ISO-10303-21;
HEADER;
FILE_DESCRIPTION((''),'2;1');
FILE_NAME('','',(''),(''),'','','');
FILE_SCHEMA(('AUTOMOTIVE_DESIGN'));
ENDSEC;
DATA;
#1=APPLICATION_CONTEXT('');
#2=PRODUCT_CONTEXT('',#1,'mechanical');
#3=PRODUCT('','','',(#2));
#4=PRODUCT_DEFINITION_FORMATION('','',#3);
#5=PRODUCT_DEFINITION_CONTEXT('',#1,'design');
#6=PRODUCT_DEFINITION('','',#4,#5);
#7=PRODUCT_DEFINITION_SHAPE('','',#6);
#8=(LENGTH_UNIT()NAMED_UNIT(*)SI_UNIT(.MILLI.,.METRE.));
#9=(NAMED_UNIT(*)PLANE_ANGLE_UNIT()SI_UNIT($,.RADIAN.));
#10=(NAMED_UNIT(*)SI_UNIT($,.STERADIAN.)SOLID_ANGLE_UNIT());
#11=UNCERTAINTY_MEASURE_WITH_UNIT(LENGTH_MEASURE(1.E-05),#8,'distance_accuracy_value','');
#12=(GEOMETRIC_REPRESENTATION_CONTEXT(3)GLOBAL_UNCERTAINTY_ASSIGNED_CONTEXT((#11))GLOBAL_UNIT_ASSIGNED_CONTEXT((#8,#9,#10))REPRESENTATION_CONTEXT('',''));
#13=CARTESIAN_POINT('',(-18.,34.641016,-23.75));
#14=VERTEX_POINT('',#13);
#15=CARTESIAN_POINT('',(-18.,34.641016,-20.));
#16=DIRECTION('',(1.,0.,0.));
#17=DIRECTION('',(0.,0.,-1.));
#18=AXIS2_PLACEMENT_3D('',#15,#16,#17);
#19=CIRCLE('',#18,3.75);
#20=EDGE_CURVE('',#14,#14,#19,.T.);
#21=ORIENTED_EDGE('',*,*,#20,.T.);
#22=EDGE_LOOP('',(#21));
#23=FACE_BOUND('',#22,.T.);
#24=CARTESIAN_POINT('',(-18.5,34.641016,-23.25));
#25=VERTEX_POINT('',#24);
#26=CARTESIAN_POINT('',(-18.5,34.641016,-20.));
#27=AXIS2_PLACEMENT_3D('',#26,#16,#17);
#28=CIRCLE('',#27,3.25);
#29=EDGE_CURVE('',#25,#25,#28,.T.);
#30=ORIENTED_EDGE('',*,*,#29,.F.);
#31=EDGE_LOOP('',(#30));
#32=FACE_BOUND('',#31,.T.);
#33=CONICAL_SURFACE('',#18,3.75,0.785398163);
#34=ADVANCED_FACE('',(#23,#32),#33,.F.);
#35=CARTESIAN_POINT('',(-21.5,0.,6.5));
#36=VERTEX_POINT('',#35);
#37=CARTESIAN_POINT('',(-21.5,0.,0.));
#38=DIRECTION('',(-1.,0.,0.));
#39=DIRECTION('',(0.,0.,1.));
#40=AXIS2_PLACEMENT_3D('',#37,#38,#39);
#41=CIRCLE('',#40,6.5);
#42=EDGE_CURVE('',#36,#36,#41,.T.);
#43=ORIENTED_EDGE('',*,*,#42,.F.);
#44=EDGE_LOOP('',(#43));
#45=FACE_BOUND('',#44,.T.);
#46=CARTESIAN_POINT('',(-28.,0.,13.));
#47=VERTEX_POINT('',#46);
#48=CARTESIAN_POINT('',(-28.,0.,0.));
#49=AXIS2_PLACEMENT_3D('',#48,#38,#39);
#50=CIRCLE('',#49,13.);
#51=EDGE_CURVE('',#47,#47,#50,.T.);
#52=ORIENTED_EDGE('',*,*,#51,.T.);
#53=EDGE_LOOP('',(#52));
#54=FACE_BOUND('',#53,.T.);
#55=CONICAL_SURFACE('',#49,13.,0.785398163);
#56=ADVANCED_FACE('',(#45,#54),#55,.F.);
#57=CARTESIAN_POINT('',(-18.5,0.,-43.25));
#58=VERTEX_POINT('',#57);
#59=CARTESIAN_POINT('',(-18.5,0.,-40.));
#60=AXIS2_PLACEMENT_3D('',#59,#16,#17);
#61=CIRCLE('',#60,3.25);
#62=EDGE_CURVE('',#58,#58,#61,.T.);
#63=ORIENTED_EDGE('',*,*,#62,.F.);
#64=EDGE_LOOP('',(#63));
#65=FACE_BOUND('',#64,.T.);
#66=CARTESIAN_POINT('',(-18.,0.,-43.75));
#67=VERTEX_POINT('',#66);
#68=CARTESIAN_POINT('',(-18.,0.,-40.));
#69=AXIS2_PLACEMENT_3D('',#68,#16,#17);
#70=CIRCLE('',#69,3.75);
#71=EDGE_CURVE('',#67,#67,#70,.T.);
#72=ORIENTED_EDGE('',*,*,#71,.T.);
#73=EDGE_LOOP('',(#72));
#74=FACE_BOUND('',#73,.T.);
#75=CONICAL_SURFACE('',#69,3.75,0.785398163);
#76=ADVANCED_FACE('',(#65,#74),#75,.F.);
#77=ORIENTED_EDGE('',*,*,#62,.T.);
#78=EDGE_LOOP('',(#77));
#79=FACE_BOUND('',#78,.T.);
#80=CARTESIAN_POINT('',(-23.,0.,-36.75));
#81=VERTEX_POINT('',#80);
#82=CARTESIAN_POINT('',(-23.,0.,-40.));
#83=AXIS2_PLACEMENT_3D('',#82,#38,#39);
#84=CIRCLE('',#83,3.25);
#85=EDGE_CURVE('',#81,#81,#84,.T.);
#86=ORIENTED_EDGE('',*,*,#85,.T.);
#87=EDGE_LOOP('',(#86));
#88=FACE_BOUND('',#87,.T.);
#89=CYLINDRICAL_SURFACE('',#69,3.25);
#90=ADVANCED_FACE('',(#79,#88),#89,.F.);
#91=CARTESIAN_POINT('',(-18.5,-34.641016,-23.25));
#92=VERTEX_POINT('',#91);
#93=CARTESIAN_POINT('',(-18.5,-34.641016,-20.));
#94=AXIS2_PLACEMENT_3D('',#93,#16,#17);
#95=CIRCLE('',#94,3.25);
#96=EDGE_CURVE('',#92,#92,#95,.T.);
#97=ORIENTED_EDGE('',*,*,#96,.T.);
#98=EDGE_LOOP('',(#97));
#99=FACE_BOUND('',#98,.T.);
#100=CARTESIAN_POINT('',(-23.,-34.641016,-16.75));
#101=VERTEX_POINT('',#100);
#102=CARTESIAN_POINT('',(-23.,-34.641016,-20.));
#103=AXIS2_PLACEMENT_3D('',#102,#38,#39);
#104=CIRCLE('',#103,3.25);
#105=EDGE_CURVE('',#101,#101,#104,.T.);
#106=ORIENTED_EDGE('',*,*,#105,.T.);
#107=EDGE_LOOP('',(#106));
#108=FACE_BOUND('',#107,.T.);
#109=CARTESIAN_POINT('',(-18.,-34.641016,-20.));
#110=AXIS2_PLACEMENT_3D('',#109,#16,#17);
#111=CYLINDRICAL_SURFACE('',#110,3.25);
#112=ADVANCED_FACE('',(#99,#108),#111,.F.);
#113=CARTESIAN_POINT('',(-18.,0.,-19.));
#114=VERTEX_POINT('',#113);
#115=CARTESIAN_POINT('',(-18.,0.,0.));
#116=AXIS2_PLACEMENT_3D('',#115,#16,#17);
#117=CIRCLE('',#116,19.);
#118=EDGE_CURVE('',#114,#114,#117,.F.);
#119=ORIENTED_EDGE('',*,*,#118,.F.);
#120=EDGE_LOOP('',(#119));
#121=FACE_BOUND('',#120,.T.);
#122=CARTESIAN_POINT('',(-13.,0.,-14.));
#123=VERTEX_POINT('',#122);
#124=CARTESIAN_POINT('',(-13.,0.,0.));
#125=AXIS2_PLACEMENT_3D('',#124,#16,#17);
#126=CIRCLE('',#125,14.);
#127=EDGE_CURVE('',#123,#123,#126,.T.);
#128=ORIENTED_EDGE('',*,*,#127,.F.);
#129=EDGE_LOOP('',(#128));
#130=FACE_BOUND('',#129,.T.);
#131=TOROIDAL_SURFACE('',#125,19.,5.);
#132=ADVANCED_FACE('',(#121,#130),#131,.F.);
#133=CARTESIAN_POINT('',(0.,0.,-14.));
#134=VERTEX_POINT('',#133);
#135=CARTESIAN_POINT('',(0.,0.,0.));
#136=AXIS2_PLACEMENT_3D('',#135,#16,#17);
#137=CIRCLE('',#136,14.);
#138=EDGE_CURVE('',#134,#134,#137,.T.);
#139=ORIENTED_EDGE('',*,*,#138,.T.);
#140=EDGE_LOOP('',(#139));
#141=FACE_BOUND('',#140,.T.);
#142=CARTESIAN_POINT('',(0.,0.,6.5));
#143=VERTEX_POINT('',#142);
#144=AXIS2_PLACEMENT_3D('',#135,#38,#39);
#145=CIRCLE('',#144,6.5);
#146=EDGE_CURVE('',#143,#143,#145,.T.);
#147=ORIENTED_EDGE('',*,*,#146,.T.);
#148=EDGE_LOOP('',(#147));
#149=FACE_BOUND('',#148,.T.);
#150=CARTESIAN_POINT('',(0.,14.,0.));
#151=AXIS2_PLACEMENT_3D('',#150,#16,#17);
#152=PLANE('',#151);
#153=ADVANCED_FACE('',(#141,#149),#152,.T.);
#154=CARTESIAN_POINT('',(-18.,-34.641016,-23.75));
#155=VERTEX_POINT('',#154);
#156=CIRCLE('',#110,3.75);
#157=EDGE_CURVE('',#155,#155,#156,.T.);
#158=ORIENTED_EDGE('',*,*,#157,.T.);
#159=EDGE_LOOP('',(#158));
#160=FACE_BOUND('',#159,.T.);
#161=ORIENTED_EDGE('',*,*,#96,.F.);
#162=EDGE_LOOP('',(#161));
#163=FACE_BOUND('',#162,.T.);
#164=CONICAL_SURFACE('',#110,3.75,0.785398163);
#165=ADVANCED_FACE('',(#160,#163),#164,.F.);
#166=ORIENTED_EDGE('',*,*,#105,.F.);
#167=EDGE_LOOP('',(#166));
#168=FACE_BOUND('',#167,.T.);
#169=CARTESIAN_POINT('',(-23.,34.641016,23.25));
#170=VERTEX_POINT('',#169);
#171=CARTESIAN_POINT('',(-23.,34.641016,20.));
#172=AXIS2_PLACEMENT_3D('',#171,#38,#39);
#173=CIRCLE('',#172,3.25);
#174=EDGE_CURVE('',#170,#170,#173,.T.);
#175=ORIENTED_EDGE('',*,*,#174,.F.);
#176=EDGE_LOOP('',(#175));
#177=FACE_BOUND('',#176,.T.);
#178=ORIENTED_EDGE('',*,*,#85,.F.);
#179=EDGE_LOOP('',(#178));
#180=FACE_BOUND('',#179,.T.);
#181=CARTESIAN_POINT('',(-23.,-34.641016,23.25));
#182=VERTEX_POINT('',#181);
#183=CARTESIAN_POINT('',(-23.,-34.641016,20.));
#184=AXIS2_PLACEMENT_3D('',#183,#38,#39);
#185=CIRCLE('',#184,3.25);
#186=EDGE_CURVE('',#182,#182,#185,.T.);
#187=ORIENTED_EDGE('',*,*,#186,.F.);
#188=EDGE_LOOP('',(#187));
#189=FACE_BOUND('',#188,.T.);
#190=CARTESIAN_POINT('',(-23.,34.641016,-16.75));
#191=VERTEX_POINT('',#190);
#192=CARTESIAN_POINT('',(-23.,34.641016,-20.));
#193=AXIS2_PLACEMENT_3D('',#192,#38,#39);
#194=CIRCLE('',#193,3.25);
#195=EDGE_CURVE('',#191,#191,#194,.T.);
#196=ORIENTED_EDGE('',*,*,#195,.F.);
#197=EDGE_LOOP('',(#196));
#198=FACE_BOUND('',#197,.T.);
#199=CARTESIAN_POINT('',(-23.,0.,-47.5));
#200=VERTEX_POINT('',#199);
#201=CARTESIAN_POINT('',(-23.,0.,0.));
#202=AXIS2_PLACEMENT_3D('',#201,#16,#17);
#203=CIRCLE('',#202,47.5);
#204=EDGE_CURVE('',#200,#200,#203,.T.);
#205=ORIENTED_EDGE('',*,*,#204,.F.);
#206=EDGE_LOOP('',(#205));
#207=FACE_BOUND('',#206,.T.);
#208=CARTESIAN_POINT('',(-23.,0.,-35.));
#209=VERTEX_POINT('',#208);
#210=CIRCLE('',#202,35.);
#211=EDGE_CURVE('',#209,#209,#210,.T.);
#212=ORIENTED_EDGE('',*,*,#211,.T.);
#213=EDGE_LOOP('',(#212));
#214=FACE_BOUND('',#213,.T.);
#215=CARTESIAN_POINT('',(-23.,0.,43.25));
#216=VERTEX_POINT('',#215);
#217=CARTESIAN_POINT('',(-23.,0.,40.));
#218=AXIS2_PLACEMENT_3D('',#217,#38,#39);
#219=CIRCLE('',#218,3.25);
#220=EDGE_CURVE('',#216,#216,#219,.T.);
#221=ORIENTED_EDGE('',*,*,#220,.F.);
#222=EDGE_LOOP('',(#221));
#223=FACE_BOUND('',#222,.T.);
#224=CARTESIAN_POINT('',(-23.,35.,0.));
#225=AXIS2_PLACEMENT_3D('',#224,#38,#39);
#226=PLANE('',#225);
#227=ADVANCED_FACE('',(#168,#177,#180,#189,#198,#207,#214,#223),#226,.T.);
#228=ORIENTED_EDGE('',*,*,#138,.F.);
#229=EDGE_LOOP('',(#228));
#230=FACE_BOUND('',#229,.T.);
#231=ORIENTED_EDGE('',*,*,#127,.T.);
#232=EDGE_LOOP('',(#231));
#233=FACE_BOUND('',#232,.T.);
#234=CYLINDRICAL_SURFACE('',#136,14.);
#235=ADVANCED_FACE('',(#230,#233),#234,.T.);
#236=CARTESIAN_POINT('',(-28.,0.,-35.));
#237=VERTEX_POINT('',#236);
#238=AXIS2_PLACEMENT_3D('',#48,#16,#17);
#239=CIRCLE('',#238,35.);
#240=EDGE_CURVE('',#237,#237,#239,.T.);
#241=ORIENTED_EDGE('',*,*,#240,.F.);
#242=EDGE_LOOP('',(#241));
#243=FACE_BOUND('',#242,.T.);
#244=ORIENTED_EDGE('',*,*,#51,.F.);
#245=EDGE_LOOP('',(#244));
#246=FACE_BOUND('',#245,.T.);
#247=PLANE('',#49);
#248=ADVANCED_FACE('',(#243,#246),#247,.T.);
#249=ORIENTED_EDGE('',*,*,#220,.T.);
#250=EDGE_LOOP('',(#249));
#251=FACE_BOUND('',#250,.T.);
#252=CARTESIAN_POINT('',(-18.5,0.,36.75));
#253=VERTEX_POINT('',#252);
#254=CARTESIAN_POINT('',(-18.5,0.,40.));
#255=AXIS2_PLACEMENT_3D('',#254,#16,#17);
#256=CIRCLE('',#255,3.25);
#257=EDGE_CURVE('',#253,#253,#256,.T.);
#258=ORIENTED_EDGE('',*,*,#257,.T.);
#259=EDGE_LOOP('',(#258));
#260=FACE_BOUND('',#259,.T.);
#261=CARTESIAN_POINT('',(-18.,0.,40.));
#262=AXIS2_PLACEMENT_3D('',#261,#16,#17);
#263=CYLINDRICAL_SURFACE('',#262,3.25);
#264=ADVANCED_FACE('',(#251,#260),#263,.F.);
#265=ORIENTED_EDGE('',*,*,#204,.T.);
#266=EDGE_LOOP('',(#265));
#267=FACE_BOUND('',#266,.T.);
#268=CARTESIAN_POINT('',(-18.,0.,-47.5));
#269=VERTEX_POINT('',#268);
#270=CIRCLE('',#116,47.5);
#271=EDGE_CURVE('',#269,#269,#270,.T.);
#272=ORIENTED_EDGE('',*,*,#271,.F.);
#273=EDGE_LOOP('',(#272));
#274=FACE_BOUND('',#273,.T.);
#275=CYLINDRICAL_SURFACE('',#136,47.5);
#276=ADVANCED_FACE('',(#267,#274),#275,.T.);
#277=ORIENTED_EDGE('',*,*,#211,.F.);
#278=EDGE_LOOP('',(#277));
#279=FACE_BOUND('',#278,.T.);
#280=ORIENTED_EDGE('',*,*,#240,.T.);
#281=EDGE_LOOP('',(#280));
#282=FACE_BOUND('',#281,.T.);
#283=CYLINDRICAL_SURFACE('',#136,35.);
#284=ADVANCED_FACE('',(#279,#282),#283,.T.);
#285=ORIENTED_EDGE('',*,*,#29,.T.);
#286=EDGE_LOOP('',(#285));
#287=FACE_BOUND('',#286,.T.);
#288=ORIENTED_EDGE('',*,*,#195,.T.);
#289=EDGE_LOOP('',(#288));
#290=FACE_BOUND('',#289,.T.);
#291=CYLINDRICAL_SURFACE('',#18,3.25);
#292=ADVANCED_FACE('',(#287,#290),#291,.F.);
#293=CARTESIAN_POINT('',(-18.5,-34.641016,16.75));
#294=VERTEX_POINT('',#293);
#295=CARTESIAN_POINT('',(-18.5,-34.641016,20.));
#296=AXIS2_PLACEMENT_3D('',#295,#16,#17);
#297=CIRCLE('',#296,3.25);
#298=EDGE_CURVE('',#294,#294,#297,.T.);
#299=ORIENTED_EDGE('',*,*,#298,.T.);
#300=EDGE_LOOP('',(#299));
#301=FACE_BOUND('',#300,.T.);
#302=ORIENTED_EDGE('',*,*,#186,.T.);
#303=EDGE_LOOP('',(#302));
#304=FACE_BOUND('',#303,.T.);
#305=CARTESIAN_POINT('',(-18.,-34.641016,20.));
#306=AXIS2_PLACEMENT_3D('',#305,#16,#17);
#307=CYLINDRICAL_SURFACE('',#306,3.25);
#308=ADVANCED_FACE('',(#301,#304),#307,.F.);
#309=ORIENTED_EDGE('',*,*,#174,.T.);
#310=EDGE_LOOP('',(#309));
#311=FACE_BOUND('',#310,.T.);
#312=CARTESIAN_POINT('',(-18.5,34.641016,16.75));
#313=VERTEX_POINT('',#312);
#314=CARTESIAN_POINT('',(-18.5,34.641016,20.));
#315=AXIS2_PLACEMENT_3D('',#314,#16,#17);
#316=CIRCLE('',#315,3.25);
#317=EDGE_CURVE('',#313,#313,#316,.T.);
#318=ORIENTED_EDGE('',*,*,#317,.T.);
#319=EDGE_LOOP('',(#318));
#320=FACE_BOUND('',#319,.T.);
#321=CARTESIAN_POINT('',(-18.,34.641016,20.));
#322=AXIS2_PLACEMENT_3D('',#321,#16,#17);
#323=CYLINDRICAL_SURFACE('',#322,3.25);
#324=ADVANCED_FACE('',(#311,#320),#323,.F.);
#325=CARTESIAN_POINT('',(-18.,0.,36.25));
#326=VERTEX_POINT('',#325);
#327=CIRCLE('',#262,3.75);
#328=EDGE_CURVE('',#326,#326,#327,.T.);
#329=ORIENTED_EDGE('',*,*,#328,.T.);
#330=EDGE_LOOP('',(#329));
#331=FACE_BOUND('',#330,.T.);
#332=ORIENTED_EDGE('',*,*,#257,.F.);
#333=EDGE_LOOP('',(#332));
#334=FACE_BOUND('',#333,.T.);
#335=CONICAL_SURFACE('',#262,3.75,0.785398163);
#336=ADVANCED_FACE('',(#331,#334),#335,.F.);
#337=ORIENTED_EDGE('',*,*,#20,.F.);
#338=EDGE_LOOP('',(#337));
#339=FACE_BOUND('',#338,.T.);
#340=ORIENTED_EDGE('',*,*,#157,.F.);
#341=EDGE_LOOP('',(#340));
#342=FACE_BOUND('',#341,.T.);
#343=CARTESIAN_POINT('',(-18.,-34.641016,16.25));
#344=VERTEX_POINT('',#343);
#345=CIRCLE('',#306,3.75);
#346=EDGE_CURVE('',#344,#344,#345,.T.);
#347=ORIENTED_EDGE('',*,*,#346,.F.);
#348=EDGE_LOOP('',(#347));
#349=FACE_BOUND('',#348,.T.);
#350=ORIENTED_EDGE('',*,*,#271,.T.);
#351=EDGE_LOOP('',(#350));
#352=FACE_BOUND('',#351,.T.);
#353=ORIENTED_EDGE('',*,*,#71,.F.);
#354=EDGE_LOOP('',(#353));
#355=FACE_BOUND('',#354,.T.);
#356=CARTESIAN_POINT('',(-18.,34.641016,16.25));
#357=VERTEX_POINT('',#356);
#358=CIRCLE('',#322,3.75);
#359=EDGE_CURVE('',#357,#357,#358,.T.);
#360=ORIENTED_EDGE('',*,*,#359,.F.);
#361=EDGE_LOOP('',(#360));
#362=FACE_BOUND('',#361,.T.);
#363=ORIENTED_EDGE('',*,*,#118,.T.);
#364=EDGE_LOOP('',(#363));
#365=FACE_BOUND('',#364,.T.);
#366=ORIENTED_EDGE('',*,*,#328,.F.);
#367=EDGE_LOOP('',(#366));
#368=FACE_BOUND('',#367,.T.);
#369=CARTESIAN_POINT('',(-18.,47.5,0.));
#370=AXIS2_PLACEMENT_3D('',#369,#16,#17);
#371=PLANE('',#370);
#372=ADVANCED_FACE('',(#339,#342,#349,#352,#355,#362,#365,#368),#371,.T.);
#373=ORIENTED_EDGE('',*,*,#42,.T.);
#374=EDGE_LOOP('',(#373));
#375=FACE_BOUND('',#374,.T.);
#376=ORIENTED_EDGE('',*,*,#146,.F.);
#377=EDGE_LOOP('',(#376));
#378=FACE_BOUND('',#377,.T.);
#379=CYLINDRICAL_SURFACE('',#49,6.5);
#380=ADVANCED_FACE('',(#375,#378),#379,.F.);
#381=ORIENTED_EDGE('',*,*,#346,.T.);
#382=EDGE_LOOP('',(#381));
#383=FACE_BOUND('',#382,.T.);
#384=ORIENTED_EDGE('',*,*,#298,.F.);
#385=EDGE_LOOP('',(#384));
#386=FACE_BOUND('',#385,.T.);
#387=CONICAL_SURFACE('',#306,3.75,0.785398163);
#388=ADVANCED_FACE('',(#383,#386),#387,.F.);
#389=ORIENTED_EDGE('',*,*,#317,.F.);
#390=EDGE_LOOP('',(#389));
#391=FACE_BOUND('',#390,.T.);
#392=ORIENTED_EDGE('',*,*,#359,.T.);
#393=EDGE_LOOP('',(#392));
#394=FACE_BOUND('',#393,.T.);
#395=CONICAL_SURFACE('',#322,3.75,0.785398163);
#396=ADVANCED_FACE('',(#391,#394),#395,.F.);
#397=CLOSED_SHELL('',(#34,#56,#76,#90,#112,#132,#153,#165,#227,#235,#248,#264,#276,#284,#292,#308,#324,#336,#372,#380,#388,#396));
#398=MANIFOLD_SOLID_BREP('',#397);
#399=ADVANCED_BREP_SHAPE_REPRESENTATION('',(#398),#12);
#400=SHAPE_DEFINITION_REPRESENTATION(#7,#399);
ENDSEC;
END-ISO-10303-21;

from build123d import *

# Parameters (mm, degrees)
FILLET1_R                                            = 5
CSK_FOR_M12_HEX_SOCKET_COUNTERSUNK_CAP_S_D           = 13
CSK_FOR_M12_HEX_SOCKET_COUNTERSUNK_CAP_S_CSINK_D     = 26
CSK_FOR_M12_HEX_SOCKET_COUNTERSUNK_CAP_S_CSINK_ANGLE = 90
CSK_FOR_M6_HEX_SOCKET_COUNTERSUNK_CAP_SC_D           = 6.5
CSK_FOR_M6_HEX_SOCKET_COUNTERSUNK_CAP_SC_CSINK_D     = 7.5
CSK_FOR_M6_HEX_SOCKET_COUNTERSUNK_CAP_SC_CSINK_ANGLE = 90
CIRPATTERN1_COUNT                                    = 6


with BuildPart() as part:
    # Sketch1 → Revolve1 (revolve)
    with BuildSketch(Plane.XY, mode=Mode.PRIVATE) as revolve1_sk:
        Polygon((0, 0), (-28, 0), (-28, 35), (-23, 35), (-23, 47.5), (-18, 47.5), (-18, 14), (0, 14), align=None)
    revolve(revolve1_sk.sketch.rotate(Axis((0, 0, 0), (-1, 0, 0)), 90), axis=Axis((0, 0, 0), (-1, 0, 0)))

    # Fillet1
    fillet1_edges = [part.edges().sort_by_distance(p)[0] for p in [
        (-18, 0, 14),
    ]]
    fillet(fillet1_edges, radius=FILLET1_R)

    # CSK for M12 Hex Socket Countersunk Cap Screw1 (through all)
    with Locations(Plane.ZY.offset(28)):
        with Locations((0, 0)):
            CounterSinkHole(CSK_FOR_M12_HEX_SOCKET_COUNTERSUNK_CAP_S_D / 2, CSK_FOR_M12_HEX_SOCKET_COUNTERSUNK_CAP_S_CSINK_D / 2, counter_sink_angle=CSK_FOR_M12_HEX_SOCKET_COUNTERSUNK_CAP_S_CSINK_ANGLE)

    # CSK for M6 Hex Socket Countersunk Cap Screw1 (through all)
    with Locations(Plane(origin=(-18, 0, 0), x_dir=(0, 0, -1), z_dir=(1, 0, 0))):
        with Locations((-40, 0)):
            csk_for_m6_hex_socket_countersunk_cap_sc = CounterSinkHole(CSK_FOR_M6_HEX_SOCKET_COUNTERSUNK_CAP_SC_D / 2, CSK_FOR_M6_HEX_SOCKET_COUNTERSUNK_CAP_SC_CSINK_D / 2, counter_sink_angle=CSK_FOR_M6_HEX_SOCKET_COUNTERSUNK_CAP_SC_CSINK_ANGLE)

    # CirPattern1: CSK for M6 Hex Socket Countersunk Cap Screw1 ×6 about axis
    cirpattern1_axis = Axis((0, 0, 0), (1, 0, 0))
    for i in range(1, CIRPATTERN1_COUNT):
        add(csk_for_m6_hex_socket_countersunk_cap_sc.rotate(cirpattern1_axis, i * 360 / CIRPATTERN1_COUNT), mode=Mode.SUBTRACT)


solid = part.part
